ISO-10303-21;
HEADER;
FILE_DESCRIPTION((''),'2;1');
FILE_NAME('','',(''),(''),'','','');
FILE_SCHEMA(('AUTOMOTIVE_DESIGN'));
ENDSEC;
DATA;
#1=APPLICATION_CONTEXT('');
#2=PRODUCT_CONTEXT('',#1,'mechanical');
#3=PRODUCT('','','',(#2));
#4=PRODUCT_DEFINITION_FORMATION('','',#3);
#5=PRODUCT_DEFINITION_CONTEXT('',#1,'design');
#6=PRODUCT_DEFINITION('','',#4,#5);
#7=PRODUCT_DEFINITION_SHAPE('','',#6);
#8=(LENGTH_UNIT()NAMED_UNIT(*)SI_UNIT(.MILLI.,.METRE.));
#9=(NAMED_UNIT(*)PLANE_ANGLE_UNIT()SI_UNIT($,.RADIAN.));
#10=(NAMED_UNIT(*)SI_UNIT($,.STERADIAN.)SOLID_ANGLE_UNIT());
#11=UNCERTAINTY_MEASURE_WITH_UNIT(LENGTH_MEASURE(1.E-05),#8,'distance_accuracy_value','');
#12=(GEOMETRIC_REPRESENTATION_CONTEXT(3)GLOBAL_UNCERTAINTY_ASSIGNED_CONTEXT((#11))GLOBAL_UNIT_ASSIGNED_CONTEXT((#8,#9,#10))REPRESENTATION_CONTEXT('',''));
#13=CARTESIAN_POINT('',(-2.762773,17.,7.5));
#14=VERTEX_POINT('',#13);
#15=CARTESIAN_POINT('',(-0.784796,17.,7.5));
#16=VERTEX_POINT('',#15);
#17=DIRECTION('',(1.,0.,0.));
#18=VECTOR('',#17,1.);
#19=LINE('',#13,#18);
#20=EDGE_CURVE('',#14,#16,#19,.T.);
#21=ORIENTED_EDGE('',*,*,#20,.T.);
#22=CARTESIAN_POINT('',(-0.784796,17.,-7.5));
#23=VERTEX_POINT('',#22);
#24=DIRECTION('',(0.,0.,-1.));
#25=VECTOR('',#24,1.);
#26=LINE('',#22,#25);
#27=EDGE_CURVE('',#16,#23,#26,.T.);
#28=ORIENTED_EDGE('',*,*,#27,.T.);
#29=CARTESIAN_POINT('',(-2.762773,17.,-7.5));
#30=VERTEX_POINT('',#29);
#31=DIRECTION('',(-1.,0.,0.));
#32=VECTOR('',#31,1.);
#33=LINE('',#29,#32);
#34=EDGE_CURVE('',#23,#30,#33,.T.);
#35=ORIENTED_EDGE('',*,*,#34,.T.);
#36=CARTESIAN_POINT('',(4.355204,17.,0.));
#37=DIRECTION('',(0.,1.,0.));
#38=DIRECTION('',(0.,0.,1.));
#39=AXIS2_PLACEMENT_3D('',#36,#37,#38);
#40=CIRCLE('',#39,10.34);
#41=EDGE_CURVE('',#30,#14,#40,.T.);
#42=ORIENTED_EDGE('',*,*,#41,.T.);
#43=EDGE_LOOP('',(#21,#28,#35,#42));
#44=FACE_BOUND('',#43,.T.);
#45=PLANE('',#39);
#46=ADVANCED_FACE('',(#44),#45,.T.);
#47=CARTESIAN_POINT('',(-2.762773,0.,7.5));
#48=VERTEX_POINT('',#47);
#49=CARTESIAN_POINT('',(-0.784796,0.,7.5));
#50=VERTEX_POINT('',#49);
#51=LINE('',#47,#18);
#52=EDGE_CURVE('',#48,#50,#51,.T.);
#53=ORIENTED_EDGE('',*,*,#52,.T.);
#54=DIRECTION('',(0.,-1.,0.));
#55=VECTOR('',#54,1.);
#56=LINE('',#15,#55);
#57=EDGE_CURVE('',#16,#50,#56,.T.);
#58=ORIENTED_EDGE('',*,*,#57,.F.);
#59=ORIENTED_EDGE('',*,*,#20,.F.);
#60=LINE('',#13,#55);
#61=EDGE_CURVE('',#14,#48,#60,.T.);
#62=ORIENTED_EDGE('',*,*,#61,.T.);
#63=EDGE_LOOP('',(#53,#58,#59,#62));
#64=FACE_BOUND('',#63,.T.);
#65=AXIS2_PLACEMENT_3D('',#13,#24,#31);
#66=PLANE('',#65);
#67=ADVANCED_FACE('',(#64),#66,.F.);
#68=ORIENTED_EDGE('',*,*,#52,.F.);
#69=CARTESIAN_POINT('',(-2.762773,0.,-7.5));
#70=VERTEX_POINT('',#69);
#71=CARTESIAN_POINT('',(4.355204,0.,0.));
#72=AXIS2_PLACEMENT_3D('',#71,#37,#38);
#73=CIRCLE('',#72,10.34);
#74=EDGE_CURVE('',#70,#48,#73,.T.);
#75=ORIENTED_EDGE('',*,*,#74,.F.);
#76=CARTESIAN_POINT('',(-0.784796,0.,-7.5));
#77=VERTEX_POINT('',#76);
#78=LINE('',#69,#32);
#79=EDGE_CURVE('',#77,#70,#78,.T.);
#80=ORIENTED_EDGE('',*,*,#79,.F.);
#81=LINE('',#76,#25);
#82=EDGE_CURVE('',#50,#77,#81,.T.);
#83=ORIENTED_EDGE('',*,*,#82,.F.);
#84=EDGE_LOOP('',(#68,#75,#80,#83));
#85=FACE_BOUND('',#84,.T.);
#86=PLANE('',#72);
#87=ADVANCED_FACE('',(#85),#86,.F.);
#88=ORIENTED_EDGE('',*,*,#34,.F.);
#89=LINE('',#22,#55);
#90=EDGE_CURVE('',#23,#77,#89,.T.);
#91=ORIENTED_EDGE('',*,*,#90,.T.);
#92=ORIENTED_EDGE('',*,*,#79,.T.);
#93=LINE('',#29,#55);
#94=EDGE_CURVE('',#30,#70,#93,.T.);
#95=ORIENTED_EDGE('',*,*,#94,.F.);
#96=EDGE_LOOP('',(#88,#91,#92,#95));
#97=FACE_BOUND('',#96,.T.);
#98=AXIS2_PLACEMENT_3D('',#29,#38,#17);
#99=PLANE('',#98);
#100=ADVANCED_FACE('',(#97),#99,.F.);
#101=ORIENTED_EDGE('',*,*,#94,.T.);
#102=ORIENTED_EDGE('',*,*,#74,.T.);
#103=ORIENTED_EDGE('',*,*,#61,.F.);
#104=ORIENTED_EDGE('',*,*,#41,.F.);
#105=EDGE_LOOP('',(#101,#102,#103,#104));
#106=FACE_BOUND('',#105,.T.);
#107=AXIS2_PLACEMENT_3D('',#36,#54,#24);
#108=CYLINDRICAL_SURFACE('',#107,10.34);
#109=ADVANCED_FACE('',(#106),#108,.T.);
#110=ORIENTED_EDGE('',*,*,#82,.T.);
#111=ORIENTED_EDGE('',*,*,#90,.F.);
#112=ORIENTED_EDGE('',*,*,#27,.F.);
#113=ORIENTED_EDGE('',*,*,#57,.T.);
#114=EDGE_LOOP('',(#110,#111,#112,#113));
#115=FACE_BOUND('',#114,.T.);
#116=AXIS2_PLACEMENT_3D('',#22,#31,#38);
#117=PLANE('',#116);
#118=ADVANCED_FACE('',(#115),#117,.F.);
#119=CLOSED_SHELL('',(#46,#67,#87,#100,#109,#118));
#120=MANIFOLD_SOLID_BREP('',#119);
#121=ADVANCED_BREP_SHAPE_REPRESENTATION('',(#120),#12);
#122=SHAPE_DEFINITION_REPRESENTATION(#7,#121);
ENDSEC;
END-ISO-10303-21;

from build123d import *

# Parameters (mm, degrees)
EXTRUDE_1_DEPTH = 17


with BuildPart() as part:
    # 草图1 → 凸台-拉伸1 (new body)
    with BuildSketch(Plane(origin=(0, 0, 0), x_dir=(1, 0, 0), z_dir=(0, 1, 0))):
        with BuildLine():
            Line((-2.762772906, 7.5), (-0.784795665, 7.5))
            Line((-0.784795665, 7.5), (-0.784795665, -7.5))
            Line((-0.784795665, -7.5), (-2.762772906, -7.5))
            ThreePointArc((-2.762772906, -7.5), (-5.984795665, 0), (-2.762772906, 7.5))
        make_face()
    extrude(amount=EXTRUDE_1_DEPTH)


solid = part.part
